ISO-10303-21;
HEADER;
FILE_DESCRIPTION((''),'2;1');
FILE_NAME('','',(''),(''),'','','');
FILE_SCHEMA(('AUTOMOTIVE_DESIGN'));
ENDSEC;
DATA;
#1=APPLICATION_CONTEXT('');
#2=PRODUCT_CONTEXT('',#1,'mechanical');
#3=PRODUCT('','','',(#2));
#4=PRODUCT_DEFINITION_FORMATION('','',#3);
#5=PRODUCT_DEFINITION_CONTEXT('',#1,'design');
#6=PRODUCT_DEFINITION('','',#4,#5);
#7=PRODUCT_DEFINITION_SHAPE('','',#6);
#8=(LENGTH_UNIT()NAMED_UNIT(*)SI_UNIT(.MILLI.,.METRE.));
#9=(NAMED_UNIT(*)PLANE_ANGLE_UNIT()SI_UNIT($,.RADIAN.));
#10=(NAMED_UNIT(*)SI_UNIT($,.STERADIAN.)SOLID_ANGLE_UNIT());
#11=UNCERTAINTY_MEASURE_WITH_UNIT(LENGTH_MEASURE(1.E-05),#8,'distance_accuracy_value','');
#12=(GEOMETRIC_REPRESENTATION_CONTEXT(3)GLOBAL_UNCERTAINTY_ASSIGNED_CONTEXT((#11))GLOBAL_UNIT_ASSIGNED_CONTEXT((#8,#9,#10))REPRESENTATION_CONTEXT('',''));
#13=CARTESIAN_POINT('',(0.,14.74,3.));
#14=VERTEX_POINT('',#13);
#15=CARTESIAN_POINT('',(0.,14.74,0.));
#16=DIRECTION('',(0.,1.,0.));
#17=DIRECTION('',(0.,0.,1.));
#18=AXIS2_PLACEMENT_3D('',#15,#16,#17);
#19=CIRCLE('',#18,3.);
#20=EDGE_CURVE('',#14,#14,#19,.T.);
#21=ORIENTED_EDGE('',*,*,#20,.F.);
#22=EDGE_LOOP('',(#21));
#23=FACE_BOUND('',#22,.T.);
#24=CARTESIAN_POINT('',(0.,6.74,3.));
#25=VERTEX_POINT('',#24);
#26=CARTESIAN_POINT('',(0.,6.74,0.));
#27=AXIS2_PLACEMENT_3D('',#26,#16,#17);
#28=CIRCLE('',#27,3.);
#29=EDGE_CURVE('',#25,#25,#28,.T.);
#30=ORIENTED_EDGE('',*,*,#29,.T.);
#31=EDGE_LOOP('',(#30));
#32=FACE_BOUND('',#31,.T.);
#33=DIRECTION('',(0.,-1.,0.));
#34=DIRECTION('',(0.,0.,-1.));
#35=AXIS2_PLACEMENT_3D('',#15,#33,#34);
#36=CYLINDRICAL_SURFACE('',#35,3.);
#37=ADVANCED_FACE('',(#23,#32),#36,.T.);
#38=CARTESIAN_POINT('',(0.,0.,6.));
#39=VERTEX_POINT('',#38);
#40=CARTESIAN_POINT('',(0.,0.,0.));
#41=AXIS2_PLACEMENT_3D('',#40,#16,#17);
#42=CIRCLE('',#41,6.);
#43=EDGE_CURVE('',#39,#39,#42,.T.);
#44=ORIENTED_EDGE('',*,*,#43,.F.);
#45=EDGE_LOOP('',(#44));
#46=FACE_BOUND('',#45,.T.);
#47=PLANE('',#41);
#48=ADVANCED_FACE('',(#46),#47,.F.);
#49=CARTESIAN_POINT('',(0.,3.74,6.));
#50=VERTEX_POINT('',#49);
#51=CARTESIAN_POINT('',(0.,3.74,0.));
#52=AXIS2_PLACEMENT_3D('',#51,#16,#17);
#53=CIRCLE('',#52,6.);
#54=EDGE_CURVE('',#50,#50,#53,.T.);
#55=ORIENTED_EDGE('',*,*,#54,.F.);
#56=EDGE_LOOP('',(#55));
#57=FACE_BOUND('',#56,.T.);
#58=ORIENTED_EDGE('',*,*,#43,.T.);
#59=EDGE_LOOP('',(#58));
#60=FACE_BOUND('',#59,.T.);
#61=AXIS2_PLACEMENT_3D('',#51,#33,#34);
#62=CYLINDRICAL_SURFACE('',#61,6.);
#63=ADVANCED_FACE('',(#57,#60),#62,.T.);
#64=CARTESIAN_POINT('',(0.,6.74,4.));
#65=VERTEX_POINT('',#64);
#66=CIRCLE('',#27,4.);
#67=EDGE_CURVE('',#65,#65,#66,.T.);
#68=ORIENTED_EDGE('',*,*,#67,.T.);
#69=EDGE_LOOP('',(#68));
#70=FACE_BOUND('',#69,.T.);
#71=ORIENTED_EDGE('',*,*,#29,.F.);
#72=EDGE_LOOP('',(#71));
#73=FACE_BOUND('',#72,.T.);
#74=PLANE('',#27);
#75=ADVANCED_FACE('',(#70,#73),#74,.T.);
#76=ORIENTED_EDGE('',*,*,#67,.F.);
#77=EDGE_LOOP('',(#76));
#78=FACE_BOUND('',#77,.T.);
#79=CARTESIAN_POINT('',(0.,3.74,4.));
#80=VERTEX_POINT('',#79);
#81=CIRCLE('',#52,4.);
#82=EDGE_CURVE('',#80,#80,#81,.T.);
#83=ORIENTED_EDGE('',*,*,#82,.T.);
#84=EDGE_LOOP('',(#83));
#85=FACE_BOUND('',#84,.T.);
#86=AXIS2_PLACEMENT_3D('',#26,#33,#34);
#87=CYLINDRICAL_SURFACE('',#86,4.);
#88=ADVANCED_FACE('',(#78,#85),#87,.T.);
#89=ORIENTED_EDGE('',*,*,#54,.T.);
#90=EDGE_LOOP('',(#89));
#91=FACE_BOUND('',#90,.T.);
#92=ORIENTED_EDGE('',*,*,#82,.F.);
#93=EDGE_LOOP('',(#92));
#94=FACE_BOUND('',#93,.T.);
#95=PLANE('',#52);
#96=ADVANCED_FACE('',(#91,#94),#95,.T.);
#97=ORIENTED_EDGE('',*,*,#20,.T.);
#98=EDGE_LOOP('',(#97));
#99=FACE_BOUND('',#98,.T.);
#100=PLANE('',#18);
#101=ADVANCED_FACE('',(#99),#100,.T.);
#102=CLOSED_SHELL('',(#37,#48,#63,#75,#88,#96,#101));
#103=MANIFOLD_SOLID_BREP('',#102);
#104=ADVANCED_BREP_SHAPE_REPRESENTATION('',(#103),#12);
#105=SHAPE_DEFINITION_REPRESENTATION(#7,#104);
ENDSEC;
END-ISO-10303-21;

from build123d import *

# Parameters (mm, degrees)
SKETCH_1_R      = 6
EXTRUDE_1_DEPTH = 3.74
SKETCH_2_R      = 4
EXTRUDE_2_DEPTH = 3
SKETCH_3_R      = 3
EXTRUDE_3_DEPTH = 8


with BuildPart() as part:
    # 草图1 → 凸台-拉伸1 (new body)
    with BuildSketch(Plane(origin=(0, 0, 0), x_dir=(1, 0, 0), z_dir=(0, 1, 0))):
        Circle(SKETCH_1_R)
    extrude(amount=EXTRUDE_1_DEPTH)

    # 草图2 → 凸台-拉伸2 (add)
    with BuildSketch(Plane(origin=(0, 3.74, 0), x_dir=(1, 0, 0), z_dir=(0, 1, 0))):
        Circle(SKETCH_2_R)
    extrude(amount=EXTRUDE_2_DEPTH)

    # 草图3 → 凸台-拉伸3 (add)
    with BuildSketch(Plane(origin=(0, 6.74, 0), x_dir=(1, 0, 0), z_dir=(0, 1, 0))):
        Circle(SKETCH_3_R)
    extrude(amount=EXTRUDE_3_DEPTH)


solid = part.part
